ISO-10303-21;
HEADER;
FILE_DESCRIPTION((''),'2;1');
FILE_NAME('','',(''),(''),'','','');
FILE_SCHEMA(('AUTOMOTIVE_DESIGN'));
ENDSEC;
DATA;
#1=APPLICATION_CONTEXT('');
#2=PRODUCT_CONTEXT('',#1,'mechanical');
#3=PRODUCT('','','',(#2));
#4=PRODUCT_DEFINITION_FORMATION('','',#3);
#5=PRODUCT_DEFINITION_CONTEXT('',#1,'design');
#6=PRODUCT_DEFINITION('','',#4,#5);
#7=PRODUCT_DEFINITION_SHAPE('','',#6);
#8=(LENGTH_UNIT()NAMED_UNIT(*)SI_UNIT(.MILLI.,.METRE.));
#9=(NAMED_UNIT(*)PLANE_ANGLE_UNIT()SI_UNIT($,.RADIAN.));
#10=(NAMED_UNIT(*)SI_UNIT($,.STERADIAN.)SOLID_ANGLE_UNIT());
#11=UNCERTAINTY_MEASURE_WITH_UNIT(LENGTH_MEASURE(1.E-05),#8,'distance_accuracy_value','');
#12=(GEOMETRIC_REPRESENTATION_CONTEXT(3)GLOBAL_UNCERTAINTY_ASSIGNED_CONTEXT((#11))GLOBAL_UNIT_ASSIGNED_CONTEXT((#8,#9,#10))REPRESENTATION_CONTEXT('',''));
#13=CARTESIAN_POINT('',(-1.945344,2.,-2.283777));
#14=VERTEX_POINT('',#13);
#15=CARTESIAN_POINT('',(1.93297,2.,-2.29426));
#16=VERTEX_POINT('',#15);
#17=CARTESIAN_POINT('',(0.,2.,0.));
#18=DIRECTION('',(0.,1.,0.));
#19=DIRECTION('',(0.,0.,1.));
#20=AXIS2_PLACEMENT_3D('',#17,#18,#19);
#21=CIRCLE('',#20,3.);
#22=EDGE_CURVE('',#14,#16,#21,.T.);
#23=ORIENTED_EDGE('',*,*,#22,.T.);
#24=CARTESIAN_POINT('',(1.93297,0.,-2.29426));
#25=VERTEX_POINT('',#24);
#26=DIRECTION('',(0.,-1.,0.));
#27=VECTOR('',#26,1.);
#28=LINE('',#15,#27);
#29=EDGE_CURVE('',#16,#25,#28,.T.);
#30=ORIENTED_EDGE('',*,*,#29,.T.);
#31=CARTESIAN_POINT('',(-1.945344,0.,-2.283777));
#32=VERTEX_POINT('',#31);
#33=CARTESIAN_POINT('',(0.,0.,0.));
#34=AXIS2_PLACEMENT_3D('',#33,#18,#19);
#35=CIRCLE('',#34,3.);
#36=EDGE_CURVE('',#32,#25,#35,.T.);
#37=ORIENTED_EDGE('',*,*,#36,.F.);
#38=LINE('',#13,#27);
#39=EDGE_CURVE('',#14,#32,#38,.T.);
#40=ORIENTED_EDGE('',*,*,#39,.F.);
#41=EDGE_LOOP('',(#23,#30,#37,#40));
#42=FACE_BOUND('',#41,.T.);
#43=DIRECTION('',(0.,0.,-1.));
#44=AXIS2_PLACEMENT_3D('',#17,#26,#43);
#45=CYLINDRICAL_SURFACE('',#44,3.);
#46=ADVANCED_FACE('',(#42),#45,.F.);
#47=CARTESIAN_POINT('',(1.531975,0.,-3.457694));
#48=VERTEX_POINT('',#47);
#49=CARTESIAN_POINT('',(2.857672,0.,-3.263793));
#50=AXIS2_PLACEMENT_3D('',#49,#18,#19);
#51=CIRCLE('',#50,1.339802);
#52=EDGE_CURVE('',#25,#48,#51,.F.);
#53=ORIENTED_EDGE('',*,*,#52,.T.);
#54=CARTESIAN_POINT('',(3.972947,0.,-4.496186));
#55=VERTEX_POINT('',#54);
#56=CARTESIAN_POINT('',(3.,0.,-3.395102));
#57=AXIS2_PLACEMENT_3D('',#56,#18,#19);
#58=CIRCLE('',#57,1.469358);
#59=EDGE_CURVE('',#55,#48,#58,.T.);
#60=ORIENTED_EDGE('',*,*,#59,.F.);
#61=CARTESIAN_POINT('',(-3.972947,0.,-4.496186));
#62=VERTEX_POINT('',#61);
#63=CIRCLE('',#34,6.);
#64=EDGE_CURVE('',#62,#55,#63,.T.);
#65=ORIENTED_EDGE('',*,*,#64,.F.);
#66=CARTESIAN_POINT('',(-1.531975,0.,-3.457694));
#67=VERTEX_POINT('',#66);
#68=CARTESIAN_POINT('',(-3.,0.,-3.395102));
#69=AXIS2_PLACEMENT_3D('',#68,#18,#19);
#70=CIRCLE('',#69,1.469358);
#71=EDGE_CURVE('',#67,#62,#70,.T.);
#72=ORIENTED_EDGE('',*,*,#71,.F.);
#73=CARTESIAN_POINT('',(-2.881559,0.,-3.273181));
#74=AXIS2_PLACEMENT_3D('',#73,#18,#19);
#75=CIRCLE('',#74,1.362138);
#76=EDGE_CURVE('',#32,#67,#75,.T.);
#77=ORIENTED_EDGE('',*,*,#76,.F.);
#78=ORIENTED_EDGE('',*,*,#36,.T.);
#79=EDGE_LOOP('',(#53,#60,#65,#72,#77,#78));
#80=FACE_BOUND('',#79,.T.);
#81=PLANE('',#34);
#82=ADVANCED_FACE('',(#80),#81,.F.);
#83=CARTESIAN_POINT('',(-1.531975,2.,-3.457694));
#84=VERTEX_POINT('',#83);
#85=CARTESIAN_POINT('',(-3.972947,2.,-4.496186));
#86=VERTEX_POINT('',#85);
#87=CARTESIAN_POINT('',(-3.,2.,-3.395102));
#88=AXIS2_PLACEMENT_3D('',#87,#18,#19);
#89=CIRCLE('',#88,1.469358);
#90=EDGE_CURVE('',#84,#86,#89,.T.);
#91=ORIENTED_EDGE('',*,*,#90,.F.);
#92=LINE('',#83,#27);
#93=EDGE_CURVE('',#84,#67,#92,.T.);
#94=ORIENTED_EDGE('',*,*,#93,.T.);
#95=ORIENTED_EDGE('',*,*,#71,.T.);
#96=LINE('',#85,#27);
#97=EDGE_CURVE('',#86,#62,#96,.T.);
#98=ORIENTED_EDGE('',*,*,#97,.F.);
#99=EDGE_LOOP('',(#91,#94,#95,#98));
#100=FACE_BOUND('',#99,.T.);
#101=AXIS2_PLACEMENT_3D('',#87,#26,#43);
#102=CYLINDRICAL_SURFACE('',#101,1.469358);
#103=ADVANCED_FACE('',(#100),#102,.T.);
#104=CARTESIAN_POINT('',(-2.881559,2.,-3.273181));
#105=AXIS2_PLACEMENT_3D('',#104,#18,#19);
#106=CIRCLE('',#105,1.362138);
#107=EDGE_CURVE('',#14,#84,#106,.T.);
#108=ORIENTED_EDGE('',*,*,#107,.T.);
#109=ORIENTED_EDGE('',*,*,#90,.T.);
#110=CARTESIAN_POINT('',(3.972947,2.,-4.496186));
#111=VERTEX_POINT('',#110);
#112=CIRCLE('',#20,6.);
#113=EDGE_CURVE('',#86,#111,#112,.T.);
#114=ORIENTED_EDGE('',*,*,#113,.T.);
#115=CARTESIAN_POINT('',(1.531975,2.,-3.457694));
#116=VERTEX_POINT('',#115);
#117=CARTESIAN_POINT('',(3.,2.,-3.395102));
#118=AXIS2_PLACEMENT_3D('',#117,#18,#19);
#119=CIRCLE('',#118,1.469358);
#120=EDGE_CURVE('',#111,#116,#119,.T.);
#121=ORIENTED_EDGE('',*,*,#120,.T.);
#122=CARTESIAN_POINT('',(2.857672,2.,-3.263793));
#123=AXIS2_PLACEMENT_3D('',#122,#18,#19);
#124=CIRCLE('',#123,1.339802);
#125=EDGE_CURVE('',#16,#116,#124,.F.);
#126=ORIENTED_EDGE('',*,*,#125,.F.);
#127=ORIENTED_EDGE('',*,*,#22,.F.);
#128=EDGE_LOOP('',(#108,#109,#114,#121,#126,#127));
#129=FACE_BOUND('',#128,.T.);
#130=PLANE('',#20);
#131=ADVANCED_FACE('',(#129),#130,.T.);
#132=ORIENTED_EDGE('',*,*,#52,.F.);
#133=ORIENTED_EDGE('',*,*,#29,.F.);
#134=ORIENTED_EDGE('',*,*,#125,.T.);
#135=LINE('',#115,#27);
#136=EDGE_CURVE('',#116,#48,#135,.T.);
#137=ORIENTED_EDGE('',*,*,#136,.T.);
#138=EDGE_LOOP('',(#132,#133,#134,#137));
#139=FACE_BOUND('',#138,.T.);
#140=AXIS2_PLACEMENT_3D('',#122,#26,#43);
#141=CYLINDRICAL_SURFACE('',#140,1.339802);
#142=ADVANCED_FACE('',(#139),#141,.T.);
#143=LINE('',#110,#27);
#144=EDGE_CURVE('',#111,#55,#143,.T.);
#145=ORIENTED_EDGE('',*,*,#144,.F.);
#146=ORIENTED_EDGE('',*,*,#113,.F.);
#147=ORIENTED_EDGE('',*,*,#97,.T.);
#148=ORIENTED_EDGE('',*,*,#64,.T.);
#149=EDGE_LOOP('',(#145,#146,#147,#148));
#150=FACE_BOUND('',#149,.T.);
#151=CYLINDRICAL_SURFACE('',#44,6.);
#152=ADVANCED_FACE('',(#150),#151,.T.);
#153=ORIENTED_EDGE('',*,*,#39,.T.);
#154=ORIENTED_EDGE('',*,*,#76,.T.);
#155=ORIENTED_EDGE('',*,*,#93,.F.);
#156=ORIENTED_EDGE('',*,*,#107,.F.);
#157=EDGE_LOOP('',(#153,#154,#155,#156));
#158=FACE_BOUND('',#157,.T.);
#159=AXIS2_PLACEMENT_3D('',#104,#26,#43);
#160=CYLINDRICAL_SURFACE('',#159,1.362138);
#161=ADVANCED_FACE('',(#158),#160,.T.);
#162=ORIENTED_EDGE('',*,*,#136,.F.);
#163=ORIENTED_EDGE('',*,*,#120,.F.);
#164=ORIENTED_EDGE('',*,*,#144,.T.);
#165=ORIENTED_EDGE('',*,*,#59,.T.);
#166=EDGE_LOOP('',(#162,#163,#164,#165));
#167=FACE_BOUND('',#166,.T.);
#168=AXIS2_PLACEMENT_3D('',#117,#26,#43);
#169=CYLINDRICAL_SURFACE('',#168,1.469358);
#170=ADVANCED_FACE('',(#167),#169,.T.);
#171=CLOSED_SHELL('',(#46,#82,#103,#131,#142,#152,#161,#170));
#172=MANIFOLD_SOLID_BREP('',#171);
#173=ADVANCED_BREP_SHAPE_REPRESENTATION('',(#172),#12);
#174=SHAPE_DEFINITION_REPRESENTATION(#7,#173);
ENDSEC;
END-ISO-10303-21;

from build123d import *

# Parameters (mm, degrees)
BOSS_EXTRUDE1_DEPTH = 2


with BuildPart() as part:
    # Sketch1 → Boss-Extrude1 (new body)
    with BuildSketch(Plane(origin=(0, 0, 0), x_dir=(1, 0, 0), z_dir=(0, 1, 0))):
        with BuildLine():
            ThreePointArc((3, 0), (0, -3), (-3, 0))
            ThreePointArc((-3, 0), (-2.743755194, 1.213180711), (-2.018795042, 2.219113918))
            ThreePointArc((-2.018795042, 2.219113918), (-1.982332969, 2.251745101), (-1.945343535, 2.283777251))
            ThreePointArc((-1.945343535, 2.283777251), (-1.596748035, 2.82076449), (-1.5319755, 3.457693556))
            ThreePointArc((-1.5319755, 3.457693556), (-2.424767696, 4.747181988), (-3.972947107, 4.496186305))
            ThreePointArc((-3.972947107, 4.496186305), (0, -6), (3.972947107, 4.496186305))
            ThreePointArc((3.972947107, 4.496186305), (2.424767696, 4.747181988), (1.5319755, 3.457693556))
            ThreePointArc((1.5319755, 3.457693556), (1.590995928, 2.827214748), (1.932969653, 2.294259864))
            ThreePointArc((1.932969653, 2.294259864), (1.976239555, 2.257094863), (2.018795042, 2.219113918))
            ThreePointArc((2.018795042, 2.219113918), (2.743755194, 1.213180711), (3, 0))
        make_face()
    extrude(amount=BOSS_EXTRUDE1_DEPTH)


solid = part.part
